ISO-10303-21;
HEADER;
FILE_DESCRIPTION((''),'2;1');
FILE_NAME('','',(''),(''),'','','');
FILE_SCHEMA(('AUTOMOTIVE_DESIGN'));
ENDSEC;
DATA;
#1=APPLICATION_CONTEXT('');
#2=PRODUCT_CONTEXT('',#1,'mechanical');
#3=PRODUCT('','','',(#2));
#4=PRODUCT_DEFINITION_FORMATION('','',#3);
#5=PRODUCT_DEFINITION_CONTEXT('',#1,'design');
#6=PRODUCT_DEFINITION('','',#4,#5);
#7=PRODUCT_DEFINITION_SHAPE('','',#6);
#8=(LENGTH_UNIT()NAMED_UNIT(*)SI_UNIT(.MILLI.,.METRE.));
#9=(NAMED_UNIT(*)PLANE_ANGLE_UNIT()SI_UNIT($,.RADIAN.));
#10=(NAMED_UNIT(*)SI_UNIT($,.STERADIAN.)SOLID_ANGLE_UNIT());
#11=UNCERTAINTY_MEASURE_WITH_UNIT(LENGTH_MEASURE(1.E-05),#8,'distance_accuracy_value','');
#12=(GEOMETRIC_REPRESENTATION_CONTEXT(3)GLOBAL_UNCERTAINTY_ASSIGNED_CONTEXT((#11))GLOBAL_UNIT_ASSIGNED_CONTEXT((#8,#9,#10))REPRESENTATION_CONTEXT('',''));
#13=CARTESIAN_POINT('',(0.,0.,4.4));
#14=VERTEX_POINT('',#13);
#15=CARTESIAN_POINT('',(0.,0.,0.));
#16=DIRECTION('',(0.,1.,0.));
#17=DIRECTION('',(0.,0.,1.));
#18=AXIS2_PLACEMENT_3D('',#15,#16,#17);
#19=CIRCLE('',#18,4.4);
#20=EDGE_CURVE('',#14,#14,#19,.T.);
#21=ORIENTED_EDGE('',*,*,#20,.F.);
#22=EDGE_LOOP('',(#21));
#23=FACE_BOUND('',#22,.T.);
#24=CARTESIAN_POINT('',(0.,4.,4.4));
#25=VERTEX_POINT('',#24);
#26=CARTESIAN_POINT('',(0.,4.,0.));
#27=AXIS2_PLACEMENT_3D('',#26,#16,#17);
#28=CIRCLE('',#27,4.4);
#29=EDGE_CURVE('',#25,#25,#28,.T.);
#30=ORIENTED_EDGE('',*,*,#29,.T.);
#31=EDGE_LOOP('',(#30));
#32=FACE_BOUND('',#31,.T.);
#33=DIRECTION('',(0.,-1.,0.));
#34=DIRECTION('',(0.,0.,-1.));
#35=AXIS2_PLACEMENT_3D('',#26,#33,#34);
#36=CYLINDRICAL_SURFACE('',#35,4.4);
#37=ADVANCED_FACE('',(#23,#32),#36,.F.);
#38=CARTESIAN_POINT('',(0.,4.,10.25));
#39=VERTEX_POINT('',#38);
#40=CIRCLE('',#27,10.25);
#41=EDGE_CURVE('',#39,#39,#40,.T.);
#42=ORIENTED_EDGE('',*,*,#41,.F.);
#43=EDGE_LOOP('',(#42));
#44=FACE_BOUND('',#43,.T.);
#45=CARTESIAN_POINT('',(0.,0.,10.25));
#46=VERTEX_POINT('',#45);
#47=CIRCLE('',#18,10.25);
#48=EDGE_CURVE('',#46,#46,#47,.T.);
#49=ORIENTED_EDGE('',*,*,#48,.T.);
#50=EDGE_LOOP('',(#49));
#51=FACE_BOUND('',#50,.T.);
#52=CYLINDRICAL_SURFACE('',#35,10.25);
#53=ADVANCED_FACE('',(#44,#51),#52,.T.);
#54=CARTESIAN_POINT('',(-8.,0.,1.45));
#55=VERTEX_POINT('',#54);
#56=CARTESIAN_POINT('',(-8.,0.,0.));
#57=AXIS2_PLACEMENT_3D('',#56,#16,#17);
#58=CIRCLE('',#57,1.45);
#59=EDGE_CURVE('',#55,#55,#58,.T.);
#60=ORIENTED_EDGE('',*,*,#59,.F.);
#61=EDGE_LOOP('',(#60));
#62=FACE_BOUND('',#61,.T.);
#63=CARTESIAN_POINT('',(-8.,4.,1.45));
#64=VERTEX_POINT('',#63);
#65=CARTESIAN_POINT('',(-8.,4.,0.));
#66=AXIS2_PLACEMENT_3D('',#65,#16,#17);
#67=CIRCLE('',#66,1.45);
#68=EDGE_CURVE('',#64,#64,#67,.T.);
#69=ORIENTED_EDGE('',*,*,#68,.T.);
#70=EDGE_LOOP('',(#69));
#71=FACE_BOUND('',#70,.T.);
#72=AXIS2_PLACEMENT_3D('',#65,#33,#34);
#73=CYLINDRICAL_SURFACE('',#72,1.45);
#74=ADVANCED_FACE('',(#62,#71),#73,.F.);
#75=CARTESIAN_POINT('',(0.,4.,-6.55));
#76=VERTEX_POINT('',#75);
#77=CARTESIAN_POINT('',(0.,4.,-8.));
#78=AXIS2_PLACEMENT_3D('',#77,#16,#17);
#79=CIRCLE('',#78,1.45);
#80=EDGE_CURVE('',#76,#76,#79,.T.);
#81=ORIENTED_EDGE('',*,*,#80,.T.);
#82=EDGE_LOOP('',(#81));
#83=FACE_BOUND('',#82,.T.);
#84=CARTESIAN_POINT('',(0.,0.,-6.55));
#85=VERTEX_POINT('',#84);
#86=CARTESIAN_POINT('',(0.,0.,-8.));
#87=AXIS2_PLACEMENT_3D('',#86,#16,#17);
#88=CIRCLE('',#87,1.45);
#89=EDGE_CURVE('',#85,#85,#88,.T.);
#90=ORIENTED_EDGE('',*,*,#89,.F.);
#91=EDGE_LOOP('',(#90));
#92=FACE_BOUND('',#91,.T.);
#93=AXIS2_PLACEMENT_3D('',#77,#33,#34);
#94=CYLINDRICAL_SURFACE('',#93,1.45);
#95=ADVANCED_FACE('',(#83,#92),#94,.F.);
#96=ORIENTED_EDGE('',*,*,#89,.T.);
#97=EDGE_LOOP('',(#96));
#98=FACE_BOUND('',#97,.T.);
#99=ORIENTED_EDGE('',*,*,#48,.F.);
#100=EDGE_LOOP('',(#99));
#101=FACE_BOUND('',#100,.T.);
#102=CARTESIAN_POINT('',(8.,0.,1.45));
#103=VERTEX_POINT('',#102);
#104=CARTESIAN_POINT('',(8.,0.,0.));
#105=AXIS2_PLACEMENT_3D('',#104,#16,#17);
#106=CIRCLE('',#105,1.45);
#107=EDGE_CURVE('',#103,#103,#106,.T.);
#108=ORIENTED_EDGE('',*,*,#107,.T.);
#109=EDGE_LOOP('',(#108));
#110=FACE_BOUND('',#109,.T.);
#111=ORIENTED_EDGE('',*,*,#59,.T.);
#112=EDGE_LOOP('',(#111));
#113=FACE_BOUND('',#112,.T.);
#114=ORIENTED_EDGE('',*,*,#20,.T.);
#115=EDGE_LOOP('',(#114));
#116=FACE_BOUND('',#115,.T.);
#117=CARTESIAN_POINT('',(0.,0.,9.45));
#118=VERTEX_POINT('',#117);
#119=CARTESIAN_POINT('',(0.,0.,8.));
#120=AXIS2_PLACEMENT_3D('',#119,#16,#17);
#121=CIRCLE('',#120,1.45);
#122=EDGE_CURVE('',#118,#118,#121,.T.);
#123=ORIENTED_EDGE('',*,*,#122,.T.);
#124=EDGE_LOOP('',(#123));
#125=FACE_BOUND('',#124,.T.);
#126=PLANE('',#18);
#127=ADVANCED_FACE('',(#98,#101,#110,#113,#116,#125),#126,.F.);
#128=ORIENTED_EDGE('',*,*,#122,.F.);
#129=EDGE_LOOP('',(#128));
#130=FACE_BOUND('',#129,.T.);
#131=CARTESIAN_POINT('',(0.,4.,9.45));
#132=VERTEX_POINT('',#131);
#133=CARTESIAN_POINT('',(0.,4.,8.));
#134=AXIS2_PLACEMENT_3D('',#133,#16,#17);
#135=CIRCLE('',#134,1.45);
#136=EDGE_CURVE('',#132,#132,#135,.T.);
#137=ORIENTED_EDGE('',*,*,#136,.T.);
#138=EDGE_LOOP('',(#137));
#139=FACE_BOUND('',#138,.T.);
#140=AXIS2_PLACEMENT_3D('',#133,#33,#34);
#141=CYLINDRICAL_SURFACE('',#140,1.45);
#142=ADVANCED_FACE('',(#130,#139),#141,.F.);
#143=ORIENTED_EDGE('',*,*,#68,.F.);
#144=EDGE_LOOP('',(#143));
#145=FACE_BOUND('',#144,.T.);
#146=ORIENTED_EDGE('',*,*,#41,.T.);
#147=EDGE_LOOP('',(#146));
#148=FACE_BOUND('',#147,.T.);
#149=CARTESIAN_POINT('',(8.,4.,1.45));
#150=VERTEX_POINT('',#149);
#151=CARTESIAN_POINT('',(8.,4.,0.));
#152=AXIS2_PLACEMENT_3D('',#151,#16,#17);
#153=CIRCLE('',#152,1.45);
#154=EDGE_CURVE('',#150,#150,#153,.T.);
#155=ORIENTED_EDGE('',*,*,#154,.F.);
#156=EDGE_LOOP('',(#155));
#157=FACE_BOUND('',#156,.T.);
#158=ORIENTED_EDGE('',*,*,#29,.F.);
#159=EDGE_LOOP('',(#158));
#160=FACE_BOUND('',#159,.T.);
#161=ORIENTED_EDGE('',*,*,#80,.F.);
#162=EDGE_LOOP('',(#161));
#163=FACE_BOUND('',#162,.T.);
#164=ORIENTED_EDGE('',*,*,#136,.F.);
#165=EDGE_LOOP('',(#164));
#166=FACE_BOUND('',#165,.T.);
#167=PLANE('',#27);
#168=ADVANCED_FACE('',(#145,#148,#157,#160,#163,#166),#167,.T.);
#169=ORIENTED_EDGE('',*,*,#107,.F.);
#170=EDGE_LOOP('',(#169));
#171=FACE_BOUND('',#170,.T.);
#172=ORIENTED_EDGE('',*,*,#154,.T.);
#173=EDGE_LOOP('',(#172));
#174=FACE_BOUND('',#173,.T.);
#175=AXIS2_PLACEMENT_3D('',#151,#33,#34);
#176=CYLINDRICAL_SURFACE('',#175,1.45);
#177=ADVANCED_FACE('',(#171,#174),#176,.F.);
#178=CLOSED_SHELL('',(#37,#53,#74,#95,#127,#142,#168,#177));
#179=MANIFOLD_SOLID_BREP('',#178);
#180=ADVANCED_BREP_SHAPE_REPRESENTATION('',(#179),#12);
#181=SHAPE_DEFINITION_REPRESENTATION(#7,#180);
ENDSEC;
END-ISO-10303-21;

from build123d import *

# Parameters (mm, degrees)
SKETCH1_R           = 10.25
SKETCH1_R_2         = 4.4
SKETCH1_R_3         = 1.45
BOSS_EXTRUDE1_DEPTH = 4


with BuildPart() as part:
    # Sketch1 → Boss-Extrude1 (new body)
    with BuildSketch(Plane(origin=(0, 0, 0), x_dir=(1, 0, 0), z_dir=(0, 1, 0))):
        with Locations(Location((0, 0, 0), (0, 0, 270))):
            Circle(SKETCH1_R)
        with Locations(Location((0, 0, 0), (0, 0, 270))):
            Circle(SKETCH1_R_2, mode=Mode.SUBTRACT)
        with Locations(Location((0, 8, 0), (0, 0, 270))):
            Circle(SKETCH1_R_3, mode=Mode.SUBTRACT)
        with Locations(Location((8, 0, 0), (0, 0, 270))):
            Circle(SKETCH1_R_3, mode=Mode.SUBTRACT)
        with Locations(Location((0, -8, 0), (0, 0, 270))):
            Circle(SKETCH1_R_3, mode=Mode.SUBTRACT)
        with Locations(Location((-8, 0, 0), (0, 0, 270))):
            Circle(SKETCH1_R_3, mode=Mode.SUBTRACT)
    extrude(amount=BOSS_EXTRUDE1_DEPTH)


solid = part.part
